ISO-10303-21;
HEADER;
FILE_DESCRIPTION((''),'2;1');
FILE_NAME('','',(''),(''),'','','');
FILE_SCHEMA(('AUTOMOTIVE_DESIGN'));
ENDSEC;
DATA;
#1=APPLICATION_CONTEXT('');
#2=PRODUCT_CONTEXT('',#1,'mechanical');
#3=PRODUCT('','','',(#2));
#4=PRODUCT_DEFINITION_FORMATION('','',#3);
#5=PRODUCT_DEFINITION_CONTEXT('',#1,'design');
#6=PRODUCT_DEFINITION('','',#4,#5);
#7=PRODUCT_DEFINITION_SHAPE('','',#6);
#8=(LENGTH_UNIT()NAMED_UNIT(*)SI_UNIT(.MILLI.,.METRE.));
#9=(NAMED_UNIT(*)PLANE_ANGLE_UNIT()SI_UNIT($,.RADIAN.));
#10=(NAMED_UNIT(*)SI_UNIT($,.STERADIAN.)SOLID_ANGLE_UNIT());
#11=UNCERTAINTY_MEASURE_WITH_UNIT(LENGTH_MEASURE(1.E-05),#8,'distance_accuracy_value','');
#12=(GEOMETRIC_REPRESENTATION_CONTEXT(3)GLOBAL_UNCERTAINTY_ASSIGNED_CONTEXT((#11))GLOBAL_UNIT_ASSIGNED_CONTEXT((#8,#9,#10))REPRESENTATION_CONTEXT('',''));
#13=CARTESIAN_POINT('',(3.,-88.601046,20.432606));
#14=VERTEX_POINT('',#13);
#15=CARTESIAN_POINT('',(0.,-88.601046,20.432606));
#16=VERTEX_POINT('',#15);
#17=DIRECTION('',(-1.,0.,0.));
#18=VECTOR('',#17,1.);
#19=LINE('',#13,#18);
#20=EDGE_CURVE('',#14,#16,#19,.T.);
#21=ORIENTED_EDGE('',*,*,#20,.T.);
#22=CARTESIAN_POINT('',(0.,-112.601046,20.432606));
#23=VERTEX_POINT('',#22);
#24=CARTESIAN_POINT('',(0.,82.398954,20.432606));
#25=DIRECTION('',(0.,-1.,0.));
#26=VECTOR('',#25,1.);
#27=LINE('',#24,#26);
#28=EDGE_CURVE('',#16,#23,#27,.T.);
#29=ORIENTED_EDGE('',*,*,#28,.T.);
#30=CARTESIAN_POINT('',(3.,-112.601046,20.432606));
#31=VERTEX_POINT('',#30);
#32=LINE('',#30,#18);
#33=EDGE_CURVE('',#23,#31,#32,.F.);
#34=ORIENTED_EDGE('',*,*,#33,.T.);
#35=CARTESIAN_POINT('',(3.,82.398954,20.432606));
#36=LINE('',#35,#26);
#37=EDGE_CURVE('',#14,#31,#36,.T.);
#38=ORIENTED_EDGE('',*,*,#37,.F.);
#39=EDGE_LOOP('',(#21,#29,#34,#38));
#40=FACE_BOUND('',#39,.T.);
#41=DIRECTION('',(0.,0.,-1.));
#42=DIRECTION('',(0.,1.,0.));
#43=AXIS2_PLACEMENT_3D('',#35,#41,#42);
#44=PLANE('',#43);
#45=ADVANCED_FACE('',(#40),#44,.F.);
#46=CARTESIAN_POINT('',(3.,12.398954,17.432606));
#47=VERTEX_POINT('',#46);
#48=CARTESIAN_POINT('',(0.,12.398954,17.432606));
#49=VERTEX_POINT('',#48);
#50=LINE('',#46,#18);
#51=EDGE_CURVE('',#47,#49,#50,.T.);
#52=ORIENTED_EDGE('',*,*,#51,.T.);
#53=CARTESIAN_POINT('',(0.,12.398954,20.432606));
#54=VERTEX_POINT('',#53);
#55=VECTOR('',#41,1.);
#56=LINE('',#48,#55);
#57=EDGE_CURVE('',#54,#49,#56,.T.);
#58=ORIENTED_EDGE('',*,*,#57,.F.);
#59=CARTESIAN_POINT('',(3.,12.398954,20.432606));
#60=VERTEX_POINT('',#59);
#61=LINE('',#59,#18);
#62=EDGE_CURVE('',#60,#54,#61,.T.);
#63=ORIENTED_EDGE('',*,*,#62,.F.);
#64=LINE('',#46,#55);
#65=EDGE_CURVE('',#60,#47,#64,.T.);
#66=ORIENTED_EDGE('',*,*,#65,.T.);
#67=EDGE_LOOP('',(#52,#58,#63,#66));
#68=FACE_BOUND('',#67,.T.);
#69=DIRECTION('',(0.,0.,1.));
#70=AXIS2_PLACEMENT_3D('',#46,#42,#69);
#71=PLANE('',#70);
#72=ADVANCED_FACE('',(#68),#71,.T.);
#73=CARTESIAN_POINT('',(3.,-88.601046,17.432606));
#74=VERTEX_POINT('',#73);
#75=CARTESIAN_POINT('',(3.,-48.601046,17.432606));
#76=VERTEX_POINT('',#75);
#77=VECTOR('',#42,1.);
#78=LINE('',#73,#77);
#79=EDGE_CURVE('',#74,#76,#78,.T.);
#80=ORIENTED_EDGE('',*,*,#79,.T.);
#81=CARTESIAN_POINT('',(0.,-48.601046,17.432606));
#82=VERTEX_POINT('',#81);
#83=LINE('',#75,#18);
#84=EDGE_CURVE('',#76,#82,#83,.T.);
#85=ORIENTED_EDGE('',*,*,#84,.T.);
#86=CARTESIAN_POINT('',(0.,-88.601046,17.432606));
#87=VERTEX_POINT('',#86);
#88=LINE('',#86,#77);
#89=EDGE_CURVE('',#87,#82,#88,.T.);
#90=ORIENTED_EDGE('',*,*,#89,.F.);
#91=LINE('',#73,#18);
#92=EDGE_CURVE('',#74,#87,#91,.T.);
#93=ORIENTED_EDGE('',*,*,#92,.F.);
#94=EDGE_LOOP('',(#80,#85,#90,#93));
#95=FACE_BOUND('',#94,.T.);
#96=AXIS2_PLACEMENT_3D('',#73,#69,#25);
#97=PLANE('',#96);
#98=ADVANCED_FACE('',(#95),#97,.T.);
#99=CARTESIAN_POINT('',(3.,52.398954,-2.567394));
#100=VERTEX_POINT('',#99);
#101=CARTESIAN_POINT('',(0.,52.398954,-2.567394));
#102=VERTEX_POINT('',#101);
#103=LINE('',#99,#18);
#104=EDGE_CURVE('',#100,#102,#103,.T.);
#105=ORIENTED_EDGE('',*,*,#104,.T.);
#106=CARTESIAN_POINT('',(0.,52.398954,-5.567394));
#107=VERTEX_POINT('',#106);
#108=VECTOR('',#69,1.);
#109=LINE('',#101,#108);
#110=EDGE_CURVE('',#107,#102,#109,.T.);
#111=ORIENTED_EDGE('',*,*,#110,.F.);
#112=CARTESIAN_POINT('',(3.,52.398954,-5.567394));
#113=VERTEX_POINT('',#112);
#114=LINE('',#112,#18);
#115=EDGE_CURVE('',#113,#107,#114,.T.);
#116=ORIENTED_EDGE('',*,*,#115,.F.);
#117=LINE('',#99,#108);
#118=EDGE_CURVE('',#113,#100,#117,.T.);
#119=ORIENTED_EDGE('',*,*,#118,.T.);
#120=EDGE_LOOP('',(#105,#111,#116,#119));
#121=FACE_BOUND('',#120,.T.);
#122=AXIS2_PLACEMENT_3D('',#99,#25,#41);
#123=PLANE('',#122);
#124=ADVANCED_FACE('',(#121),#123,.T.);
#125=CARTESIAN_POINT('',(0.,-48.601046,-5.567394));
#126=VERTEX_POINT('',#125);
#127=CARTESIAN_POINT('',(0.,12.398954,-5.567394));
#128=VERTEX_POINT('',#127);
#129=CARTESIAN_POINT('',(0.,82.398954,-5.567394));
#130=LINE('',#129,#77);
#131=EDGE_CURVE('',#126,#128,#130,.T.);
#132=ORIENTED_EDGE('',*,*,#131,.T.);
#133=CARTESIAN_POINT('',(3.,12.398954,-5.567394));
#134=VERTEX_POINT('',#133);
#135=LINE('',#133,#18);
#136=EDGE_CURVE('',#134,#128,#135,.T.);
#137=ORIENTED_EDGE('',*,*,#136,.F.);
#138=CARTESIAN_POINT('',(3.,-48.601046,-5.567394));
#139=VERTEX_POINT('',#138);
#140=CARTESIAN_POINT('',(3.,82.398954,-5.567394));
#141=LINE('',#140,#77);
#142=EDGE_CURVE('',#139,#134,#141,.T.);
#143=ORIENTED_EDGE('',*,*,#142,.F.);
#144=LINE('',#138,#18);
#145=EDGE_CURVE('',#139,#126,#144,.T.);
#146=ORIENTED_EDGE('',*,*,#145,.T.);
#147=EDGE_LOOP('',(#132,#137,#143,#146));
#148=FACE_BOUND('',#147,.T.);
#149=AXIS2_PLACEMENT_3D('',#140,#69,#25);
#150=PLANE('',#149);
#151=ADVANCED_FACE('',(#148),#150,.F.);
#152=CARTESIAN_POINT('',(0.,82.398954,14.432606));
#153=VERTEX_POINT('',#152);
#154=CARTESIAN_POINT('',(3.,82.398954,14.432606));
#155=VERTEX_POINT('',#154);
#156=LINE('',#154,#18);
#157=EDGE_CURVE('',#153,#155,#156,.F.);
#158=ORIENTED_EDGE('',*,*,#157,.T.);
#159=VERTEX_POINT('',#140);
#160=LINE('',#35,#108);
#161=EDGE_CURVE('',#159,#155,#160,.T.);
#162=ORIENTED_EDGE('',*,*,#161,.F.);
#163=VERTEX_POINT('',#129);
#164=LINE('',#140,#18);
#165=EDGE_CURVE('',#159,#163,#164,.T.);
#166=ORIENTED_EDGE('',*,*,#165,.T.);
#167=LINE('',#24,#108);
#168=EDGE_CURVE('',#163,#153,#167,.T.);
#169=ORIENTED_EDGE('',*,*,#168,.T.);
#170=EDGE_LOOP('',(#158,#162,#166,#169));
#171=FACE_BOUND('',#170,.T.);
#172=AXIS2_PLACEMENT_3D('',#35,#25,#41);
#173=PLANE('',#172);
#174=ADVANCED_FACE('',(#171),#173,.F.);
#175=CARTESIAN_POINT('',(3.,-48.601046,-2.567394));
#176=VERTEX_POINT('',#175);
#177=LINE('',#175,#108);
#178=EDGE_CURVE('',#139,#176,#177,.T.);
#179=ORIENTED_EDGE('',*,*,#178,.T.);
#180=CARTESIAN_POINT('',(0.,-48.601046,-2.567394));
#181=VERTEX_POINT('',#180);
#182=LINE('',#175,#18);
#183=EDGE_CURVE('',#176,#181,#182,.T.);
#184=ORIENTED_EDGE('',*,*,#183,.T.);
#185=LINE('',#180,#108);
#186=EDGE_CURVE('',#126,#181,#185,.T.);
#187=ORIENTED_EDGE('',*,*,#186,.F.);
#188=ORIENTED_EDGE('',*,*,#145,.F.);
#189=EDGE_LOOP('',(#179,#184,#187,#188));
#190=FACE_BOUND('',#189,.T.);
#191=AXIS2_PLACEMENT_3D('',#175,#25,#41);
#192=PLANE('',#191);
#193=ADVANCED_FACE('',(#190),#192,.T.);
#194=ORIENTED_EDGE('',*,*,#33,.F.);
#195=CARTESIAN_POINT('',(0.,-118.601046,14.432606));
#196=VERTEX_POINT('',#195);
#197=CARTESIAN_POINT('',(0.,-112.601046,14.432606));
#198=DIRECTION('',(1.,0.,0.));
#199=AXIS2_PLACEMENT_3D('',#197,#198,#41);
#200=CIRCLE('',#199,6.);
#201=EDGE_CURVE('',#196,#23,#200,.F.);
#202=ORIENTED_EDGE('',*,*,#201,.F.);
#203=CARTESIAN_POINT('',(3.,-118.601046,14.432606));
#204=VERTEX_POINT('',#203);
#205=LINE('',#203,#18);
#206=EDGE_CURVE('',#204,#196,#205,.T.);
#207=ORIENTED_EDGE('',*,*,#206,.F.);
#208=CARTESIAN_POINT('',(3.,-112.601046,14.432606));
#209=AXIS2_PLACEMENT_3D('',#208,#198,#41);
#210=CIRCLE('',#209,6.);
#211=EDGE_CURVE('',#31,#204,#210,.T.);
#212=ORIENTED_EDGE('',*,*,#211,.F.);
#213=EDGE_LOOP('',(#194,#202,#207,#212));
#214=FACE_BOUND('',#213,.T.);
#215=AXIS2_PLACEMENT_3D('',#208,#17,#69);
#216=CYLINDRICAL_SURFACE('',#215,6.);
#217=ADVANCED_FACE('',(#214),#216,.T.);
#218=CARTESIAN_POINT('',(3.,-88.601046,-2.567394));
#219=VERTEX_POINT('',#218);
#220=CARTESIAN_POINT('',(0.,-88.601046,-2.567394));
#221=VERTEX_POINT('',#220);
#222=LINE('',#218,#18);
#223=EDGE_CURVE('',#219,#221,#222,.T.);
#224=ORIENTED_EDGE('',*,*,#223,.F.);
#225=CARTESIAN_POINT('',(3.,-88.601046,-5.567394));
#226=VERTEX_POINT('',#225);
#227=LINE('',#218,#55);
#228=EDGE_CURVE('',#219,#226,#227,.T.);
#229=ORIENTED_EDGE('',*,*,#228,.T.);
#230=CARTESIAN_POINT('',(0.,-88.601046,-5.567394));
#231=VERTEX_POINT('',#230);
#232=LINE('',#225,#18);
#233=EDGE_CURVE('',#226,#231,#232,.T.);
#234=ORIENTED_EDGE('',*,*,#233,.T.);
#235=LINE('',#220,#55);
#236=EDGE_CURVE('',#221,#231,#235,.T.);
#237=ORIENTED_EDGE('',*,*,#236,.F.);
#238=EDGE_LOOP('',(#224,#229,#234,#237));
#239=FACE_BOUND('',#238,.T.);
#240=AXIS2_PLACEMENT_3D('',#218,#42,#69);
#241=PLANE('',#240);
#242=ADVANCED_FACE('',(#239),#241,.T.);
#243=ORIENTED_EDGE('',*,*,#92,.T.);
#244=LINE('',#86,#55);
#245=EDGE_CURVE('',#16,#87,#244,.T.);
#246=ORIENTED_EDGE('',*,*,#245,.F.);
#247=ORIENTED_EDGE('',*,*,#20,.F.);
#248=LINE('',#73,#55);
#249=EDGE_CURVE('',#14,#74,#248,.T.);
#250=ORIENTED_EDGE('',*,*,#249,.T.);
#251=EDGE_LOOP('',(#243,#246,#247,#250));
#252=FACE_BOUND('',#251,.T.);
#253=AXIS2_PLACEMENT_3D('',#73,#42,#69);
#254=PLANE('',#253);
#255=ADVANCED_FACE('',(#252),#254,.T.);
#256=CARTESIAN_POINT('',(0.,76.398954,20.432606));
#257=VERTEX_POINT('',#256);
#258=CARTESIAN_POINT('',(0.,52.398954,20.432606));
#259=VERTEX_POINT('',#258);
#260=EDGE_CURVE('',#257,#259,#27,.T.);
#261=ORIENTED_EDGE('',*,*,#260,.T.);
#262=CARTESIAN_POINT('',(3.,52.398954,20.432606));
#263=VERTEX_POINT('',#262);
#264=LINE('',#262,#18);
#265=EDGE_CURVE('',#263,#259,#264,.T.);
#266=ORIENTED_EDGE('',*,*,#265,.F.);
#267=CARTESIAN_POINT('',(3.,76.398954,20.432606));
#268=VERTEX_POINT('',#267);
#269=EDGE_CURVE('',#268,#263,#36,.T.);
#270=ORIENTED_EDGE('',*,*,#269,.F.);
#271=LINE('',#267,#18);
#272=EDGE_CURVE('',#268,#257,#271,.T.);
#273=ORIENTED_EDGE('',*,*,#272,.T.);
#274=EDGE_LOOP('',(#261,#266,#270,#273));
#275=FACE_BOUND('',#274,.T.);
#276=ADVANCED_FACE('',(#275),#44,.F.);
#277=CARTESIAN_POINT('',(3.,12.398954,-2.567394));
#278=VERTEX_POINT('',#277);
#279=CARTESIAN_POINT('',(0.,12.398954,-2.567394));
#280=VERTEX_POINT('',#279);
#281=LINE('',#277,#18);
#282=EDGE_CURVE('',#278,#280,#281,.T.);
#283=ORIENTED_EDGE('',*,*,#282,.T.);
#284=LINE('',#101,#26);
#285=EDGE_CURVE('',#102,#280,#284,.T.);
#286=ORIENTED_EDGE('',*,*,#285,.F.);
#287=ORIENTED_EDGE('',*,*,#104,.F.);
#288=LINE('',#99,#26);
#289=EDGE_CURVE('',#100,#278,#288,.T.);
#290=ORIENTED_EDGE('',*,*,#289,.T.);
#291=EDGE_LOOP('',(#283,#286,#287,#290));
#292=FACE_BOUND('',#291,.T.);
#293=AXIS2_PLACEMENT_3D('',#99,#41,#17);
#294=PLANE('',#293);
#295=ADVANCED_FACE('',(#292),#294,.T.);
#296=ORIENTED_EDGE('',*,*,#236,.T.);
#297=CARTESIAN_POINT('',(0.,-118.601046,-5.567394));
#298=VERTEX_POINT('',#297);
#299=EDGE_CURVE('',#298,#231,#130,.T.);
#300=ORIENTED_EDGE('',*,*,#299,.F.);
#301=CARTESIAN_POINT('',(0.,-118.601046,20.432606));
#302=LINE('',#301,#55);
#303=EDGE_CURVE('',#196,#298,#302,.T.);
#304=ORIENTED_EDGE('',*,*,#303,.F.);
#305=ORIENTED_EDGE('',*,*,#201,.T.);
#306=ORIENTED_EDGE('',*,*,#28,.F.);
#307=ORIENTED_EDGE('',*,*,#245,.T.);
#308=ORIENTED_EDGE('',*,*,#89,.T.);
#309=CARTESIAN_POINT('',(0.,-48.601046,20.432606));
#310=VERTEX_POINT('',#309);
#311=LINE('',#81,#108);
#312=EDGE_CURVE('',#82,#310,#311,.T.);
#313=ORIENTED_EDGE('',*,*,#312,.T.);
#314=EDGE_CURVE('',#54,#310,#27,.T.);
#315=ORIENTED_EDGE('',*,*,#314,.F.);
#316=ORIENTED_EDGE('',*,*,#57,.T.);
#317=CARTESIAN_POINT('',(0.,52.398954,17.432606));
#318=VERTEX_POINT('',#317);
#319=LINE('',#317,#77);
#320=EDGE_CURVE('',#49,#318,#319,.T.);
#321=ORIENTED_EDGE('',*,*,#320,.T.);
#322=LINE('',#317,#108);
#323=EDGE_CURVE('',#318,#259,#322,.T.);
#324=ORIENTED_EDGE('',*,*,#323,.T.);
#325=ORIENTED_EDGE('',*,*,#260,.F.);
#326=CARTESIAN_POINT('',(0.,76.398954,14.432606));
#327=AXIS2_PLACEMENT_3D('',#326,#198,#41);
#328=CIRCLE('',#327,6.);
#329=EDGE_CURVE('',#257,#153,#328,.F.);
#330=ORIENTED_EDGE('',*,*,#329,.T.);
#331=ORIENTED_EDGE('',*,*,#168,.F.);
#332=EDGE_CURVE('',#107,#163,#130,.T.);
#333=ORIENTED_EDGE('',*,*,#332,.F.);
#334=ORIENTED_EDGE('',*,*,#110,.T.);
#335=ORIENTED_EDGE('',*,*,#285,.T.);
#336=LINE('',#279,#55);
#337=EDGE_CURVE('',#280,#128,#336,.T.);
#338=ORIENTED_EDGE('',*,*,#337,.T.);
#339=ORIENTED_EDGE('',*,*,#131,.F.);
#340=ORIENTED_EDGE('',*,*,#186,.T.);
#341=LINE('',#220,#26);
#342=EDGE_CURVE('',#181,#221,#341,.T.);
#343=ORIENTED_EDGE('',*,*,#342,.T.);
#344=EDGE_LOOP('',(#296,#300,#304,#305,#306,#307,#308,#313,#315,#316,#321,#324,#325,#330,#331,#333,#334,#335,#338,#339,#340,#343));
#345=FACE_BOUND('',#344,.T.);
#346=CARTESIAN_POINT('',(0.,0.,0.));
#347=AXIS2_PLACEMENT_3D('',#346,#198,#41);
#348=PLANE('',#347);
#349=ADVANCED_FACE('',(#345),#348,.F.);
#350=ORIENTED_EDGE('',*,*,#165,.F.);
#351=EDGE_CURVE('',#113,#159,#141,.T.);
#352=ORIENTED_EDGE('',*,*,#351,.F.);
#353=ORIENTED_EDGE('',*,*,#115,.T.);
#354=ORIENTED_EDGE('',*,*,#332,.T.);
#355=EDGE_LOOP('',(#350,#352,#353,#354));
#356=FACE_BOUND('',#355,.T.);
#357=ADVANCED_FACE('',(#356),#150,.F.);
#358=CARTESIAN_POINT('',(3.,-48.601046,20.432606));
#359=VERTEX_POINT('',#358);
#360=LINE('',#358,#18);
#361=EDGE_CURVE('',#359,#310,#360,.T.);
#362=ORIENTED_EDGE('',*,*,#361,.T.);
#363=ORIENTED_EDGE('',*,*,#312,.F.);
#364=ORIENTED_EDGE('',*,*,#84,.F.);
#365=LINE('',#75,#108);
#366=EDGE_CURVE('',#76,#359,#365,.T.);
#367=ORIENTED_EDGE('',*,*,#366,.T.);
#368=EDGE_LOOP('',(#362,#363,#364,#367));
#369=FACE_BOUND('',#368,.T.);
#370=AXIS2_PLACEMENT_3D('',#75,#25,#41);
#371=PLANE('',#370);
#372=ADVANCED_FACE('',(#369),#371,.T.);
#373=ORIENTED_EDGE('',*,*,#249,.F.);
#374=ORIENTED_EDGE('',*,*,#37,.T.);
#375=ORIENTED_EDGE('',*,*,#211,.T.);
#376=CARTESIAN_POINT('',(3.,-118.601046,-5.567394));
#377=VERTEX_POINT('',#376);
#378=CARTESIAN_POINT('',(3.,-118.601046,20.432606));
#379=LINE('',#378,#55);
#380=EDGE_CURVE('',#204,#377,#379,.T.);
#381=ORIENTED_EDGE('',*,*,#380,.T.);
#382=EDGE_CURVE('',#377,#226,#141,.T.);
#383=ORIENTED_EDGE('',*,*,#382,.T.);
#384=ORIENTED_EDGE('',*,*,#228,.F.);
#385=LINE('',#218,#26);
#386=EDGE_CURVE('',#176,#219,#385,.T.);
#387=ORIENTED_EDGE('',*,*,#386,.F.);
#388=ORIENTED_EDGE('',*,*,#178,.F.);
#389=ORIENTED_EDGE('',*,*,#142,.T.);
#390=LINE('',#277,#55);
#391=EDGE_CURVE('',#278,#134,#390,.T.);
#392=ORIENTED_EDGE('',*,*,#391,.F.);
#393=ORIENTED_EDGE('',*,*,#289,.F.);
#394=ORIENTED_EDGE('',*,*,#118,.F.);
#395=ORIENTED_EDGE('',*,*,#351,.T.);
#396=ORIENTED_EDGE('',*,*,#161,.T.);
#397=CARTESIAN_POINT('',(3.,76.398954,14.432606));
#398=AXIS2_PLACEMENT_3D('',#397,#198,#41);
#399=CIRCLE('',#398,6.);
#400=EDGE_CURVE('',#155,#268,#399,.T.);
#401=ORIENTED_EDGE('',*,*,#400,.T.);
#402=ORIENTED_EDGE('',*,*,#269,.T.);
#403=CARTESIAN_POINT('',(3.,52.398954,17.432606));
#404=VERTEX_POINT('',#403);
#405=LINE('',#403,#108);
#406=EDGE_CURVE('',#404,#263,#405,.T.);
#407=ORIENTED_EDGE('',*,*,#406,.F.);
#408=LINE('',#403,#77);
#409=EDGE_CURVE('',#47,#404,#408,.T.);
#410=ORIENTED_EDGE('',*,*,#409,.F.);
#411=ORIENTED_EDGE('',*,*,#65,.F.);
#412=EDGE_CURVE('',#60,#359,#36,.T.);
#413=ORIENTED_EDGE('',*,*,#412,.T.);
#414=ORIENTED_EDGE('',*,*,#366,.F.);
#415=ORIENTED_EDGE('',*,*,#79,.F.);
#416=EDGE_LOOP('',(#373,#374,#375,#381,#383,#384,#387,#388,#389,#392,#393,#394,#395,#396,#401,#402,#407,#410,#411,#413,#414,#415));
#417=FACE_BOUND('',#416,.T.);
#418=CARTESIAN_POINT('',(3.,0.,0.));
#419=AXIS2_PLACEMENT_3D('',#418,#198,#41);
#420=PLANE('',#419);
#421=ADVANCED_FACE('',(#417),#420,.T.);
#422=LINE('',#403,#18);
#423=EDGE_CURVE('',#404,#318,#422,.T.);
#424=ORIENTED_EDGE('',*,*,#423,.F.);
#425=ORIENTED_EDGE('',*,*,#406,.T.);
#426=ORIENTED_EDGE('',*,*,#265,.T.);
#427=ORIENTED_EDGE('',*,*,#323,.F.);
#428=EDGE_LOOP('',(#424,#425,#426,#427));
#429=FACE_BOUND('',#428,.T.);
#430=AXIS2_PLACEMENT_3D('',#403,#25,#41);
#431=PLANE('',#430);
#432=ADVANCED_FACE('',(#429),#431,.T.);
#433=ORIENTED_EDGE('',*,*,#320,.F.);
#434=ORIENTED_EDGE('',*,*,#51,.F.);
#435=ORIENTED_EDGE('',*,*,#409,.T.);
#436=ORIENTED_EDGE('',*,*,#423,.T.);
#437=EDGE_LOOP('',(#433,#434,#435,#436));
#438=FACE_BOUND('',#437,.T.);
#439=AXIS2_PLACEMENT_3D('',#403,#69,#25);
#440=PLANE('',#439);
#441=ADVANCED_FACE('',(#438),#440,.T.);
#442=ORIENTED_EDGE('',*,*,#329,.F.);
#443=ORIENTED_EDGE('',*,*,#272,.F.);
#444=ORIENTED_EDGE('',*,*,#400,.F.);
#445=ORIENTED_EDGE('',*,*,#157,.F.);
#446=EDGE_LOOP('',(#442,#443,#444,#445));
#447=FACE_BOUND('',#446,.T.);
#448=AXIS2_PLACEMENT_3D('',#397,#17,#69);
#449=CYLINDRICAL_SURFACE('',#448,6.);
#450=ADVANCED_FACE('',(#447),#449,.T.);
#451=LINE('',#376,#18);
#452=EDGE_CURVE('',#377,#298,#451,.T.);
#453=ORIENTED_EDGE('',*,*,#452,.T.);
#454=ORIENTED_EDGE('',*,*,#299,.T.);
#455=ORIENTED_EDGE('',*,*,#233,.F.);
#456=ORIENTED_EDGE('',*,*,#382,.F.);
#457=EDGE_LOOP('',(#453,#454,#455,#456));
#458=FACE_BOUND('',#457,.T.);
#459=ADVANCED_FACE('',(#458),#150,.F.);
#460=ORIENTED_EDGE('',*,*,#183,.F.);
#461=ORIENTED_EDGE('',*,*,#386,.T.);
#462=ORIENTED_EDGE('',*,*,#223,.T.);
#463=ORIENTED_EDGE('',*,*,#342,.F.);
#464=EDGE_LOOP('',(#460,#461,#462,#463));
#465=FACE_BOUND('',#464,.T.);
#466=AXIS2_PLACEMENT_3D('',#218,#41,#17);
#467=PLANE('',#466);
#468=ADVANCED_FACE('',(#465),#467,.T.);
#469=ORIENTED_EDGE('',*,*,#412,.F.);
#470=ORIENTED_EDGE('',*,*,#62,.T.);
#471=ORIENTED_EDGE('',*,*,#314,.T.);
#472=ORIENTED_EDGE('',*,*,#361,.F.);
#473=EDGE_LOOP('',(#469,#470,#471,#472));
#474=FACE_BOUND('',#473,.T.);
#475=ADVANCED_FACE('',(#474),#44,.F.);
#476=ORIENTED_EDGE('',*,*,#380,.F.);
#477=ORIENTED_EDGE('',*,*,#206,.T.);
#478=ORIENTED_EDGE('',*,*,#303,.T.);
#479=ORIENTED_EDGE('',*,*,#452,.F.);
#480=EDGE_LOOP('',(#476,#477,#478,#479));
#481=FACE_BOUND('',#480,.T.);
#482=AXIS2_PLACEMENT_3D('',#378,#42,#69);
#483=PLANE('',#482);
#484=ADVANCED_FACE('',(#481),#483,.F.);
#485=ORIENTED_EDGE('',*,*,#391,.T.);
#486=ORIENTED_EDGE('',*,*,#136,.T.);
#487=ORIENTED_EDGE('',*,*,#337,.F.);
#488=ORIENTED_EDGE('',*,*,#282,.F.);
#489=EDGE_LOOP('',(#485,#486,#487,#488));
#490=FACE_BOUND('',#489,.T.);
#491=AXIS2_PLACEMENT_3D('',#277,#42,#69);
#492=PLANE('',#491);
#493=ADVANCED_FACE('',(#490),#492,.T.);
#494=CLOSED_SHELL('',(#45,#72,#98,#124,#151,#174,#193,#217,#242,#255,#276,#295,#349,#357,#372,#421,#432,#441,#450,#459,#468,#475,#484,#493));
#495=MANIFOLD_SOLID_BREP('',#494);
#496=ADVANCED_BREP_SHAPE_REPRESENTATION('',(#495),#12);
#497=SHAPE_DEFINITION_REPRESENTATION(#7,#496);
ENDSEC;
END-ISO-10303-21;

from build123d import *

# Parameters (mm, degrees)
SKETCH_1_W          = 26
SKETCH_1_H          = 201
EXTRUDE_1_DEPTH     = 3
SKETCH_2_W          = 3
SKETCH_2_H          = 40
CUT_EXTRUDE_1_DEPTH = 3
FILLET_2_R          = 6
FILLET_3_R          = 6


with BuildPart() as part:
    # 草图1 → 凸台-拉伸1 (new body)
    with BuildSketch(Plane(origin=(0, 0, 0), x_dir=(0, 0, -1), z_dir=(1, 0, 0))):
        with Locations((-7.432605804, -18.101046442)):
            Rectangle(SKETCH_1_W, SKETCH_1_H)
    extrude(amount=EXTRUDE_1_DEPTH)

    # 草图2 → 切除-拉伸1 (cut)
    with BuildSketch(Plane(origin=(0, 0, 0), x_dir=(0, 0, -1), z_dir=(1, 0, 0))):
        with Locations((4.067394196, -68.601046442)):
            Rectangle(SKETCH_2_W, SKETCH_2_H)
        with Locations((-18.932605804, -68.601046442)):
            Rectangle(SKETCH_2_W, SKETCH_2_H)
        with Locations((-18.932605804, 32.398953558)):
            Rectangle(SKETCH_2_W, SKETCH_2_H)
        with Locations((4.067394196, 32.398953558)):
            Rectangle(SKETCH_2_W, SKETCH_2_H)
    extrude(amount=CUT_EXTRUDE_1_DEPTH, mode=Mode.SUBTRACT)

    # 圆角2
    fillet_2_edges = [part.edges().sort_by_distance(p)[0] for p in [
        (1.5, -118.601046442, 20.432605804),
    ]]
    fillet(fillet_2_edges, radius=FILLET_2_R)

    # 圆角3
    fillet_3_edges = [part.edges().sort_by_distance(p)[0] for p in [
        (1.5, 82.398953558, 20.432605804),
    ]]
    fillet(fillet_3_edges, radius=FILLET_3_R)


solid = part.part
